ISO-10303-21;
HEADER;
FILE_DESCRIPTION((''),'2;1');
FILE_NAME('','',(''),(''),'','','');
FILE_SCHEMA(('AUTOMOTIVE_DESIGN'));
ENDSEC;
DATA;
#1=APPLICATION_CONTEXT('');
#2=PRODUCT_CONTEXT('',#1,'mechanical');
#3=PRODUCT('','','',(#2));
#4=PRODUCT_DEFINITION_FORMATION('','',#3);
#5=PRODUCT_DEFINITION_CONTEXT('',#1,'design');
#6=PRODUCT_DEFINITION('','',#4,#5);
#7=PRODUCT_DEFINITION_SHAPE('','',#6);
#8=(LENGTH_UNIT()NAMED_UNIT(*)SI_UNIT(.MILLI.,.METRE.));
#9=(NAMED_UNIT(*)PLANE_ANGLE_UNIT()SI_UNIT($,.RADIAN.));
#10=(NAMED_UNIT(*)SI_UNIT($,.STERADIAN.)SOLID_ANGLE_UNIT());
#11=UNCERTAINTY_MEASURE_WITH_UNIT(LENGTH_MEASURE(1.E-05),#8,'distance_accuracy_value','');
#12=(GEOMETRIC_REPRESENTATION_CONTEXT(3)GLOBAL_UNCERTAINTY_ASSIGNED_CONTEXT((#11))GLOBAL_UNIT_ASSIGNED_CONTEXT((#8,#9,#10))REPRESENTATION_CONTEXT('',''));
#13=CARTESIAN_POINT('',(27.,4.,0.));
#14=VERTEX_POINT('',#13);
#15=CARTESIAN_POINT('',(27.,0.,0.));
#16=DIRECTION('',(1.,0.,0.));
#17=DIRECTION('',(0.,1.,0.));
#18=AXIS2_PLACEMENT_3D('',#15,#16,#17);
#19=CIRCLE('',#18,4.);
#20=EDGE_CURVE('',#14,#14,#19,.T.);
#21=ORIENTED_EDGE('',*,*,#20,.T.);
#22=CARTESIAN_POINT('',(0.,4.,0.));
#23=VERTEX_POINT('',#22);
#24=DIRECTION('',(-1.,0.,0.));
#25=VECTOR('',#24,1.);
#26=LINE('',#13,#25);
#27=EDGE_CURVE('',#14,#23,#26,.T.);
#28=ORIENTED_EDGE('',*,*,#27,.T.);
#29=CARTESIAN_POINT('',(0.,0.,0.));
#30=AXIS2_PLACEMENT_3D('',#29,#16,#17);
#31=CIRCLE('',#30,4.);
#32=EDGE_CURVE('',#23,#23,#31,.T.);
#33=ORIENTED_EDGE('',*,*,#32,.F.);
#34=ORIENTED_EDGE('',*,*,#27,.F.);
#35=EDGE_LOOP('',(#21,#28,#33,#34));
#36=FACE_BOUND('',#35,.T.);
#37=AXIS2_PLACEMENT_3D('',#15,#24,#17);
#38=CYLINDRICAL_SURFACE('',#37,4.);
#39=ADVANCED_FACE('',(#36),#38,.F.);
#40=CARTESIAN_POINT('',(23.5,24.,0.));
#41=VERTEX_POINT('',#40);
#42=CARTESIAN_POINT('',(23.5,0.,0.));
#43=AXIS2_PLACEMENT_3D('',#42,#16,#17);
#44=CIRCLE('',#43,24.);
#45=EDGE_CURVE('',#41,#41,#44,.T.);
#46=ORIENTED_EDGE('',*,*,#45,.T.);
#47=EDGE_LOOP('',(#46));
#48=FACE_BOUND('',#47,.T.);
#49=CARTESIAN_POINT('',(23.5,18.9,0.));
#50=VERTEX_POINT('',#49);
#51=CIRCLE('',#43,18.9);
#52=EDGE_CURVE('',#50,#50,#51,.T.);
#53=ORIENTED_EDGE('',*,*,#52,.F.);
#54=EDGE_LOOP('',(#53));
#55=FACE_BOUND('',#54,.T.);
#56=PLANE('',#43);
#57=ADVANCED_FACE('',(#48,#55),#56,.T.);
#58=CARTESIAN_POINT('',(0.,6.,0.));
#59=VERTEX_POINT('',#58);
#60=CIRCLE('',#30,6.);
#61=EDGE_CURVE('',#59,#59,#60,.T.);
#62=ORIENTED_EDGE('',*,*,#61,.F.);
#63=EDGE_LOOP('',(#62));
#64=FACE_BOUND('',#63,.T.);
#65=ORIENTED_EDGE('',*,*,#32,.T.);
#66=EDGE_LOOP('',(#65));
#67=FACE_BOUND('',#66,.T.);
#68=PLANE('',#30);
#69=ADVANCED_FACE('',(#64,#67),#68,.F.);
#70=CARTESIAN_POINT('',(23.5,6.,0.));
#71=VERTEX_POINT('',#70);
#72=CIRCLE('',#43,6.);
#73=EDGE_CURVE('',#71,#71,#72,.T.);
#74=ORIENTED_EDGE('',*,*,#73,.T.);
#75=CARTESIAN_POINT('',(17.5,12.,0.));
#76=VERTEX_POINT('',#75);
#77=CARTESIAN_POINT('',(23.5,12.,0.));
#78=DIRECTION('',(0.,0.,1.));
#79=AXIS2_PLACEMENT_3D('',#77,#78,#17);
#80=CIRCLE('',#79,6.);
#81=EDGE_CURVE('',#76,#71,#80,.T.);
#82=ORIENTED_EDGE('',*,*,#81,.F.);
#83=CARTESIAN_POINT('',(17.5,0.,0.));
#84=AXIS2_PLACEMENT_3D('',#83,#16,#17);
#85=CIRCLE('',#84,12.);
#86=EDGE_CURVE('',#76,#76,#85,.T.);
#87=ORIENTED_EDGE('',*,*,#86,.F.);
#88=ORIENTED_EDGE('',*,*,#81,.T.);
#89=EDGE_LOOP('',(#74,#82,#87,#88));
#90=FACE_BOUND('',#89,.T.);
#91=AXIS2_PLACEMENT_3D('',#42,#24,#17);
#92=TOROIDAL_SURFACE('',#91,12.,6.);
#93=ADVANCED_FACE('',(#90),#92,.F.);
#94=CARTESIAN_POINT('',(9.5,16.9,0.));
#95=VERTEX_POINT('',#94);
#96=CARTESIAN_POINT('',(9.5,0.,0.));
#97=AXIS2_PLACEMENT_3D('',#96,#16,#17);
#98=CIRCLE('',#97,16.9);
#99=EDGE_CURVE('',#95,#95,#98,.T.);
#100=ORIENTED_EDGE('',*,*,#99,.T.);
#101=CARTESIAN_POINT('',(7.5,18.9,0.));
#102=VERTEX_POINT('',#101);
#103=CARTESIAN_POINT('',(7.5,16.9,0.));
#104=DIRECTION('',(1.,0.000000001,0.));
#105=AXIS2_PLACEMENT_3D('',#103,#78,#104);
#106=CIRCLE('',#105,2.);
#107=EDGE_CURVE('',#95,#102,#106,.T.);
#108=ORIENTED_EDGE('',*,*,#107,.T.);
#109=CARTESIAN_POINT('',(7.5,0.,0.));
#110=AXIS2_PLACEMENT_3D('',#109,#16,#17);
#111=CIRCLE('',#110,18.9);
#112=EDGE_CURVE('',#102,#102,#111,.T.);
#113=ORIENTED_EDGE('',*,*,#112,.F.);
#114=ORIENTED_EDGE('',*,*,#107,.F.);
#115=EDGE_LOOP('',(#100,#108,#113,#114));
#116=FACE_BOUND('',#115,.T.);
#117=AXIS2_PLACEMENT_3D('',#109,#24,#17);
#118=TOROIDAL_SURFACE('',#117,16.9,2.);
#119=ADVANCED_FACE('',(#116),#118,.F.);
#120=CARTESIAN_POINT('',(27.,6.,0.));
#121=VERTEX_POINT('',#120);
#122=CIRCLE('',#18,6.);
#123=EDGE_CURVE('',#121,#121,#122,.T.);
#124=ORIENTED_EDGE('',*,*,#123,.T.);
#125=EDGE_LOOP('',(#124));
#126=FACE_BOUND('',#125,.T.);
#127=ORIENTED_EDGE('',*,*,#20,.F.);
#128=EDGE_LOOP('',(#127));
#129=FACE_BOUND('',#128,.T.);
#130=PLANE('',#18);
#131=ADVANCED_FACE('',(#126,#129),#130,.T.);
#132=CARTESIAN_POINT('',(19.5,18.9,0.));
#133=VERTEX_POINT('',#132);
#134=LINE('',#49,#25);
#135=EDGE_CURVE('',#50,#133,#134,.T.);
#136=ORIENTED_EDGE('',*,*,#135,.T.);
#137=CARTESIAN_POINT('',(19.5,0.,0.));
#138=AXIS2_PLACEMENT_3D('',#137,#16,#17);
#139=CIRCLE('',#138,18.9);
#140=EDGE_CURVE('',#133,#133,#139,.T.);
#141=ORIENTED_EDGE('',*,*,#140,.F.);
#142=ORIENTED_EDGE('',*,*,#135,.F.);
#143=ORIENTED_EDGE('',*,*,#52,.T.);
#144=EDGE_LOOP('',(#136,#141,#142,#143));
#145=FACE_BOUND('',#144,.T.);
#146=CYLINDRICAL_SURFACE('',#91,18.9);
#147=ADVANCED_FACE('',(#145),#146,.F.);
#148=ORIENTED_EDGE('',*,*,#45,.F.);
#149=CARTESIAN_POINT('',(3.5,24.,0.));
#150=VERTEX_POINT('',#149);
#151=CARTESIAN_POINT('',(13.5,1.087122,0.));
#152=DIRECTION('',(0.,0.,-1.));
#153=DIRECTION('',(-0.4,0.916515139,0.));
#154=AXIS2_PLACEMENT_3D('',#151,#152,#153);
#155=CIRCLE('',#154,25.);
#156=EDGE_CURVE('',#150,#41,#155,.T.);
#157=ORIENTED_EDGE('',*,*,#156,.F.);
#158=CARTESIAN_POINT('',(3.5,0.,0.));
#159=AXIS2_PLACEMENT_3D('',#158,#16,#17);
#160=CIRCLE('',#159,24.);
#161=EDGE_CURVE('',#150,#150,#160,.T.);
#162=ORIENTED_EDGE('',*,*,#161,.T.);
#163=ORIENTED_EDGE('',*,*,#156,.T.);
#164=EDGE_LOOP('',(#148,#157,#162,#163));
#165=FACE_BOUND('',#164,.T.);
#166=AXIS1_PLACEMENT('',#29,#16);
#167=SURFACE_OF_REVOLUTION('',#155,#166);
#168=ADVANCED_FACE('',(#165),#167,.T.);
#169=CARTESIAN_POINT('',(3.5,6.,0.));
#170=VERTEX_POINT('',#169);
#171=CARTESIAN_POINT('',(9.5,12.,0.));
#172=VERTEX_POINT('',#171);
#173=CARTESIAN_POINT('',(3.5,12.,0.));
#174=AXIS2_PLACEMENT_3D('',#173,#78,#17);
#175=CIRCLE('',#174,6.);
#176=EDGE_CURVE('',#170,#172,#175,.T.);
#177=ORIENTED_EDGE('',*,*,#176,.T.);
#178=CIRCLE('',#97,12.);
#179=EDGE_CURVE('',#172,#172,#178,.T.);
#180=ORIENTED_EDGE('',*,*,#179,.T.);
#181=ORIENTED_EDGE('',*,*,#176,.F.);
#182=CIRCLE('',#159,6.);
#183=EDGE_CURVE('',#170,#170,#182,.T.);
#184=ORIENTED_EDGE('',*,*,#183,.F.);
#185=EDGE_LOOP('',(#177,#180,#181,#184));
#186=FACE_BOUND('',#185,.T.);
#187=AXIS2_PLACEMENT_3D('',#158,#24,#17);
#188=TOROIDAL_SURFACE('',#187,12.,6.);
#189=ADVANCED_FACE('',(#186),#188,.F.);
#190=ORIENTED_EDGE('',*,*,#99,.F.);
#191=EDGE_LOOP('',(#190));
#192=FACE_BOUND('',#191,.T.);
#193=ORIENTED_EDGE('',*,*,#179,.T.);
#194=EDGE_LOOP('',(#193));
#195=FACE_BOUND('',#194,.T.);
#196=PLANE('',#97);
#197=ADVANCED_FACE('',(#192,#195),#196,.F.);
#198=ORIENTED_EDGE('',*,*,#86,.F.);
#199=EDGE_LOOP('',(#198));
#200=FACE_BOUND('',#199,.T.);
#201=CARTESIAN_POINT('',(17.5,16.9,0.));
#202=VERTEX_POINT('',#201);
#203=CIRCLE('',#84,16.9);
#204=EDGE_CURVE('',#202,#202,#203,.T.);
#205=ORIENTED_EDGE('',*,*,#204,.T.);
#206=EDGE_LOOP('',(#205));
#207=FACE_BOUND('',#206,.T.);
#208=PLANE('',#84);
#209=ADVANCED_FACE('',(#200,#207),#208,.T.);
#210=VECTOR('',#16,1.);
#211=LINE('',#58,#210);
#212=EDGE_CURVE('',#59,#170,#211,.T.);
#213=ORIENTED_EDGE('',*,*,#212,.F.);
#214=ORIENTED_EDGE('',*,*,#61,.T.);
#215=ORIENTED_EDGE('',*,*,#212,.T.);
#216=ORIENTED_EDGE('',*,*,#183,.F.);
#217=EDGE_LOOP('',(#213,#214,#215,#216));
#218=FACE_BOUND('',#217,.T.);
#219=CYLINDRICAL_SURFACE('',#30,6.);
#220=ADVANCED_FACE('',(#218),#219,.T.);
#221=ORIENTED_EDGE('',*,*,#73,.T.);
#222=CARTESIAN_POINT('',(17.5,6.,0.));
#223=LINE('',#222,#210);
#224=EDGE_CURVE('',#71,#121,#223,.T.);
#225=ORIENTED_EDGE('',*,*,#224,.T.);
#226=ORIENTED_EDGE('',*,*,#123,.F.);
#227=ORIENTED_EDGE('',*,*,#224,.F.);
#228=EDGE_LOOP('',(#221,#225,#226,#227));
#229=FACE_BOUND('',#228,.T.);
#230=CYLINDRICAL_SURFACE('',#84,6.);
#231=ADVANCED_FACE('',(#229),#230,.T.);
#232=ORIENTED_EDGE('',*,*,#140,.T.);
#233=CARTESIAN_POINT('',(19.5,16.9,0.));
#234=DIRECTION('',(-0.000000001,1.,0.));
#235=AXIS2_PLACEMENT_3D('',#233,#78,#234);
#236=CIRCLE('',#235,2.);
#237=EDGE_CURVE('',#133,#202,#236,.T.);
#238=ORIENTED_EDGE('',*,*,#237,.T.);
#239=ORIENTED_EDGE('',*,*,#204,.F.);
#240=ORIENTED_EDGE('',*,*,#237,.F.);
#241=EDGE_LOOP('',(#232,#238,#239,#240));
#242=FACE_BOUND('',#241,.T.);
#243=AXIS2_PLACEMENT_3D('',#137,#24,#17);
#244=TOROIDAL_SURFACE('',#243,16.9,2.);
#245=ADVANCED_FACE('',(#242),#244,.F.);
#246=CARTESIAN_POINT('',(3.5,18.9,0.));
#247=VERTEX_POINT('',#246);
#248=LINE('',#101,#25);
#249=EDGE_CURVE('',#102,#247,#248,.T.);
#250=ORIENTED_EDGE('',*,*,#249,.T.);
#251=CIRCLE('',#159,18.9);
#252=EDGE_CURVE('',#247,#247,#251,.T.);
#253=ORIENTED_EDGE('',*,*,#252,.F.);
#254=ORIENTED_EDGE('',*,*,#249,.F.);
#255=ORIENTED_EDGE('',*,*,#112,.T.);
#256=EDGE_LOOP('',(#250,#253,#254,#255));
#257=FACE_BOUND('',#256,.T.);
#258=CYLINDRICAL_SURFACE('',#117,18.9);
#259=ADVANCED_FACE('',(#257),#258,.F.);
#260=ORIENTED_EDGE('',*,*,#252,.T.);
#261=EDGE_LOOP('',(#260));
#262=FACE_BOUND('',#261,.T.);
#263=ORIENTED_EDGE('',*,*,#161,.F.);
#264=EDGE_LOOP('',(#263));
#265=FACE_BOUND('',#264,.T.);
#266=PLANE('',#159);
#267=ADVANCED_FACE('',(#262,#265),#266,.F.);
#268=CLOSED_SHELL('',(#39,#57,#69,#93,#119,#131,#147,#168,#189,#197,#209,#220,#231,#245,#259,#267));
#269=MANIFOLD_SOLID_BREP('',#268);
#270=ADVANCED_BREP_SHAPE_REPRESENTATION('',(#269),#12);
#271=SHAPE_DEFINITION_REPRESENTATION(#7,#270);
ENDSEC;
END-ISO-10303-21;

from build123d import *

# Parameters (mm, degrees)
FILLET1_R = 6


with BuildPart() as part:
    # Sketch1 → Revolve1 (revolve)
    with BuildSketch(Plane.XY):
        with BuildLine():
            Line((0, 4), (0, 6))
            Line((0, 6), (3.5, 6))
            Line((3.5, 6), (9.5, 6))
            Line((9.5, 6), (9.5, 16.9))
            ThreePointArc((9.5, 16.9), (8.914213562, 18.314213562), (7.5, 18.9))
            Line((7.5, 18.9), (3.5, 18.9))
            Line((3.5, 18.9), (3.5, 24))
            ThreePointArc((3.5, 24), (13.5, 26.087121525), (23.5, 24))
            Line((23.5, 24), (23.5, 18.9))
            Line((23.5, 18.9), (19.5, 18.9))
            ThreePointArc((19.5, 18.9), (18.085786438, 18.314213562), (17.5, 16.9))
            Line((17.5, 16.9), (17.5, 6))
            Line((17.5, 6), (23.5, 6))
            Line((23.5, 6), (27, 6))
            Line((27, 6), (27, 4))
            Line((27, 4), (0, 4))
        make_face()
    revolve(axis=Axis((0, 0, 0), (1, 0, 0)))

    # Fillet1
    fillet1_edges = [part.edges().sort_by_distance(p)[0] for p in [
        (9.5, -6, 0),
        (17.5, -6, 0),
    ]]
    fillet(fillet1_edges, radius=FILLET1_R)


solid = part.part
